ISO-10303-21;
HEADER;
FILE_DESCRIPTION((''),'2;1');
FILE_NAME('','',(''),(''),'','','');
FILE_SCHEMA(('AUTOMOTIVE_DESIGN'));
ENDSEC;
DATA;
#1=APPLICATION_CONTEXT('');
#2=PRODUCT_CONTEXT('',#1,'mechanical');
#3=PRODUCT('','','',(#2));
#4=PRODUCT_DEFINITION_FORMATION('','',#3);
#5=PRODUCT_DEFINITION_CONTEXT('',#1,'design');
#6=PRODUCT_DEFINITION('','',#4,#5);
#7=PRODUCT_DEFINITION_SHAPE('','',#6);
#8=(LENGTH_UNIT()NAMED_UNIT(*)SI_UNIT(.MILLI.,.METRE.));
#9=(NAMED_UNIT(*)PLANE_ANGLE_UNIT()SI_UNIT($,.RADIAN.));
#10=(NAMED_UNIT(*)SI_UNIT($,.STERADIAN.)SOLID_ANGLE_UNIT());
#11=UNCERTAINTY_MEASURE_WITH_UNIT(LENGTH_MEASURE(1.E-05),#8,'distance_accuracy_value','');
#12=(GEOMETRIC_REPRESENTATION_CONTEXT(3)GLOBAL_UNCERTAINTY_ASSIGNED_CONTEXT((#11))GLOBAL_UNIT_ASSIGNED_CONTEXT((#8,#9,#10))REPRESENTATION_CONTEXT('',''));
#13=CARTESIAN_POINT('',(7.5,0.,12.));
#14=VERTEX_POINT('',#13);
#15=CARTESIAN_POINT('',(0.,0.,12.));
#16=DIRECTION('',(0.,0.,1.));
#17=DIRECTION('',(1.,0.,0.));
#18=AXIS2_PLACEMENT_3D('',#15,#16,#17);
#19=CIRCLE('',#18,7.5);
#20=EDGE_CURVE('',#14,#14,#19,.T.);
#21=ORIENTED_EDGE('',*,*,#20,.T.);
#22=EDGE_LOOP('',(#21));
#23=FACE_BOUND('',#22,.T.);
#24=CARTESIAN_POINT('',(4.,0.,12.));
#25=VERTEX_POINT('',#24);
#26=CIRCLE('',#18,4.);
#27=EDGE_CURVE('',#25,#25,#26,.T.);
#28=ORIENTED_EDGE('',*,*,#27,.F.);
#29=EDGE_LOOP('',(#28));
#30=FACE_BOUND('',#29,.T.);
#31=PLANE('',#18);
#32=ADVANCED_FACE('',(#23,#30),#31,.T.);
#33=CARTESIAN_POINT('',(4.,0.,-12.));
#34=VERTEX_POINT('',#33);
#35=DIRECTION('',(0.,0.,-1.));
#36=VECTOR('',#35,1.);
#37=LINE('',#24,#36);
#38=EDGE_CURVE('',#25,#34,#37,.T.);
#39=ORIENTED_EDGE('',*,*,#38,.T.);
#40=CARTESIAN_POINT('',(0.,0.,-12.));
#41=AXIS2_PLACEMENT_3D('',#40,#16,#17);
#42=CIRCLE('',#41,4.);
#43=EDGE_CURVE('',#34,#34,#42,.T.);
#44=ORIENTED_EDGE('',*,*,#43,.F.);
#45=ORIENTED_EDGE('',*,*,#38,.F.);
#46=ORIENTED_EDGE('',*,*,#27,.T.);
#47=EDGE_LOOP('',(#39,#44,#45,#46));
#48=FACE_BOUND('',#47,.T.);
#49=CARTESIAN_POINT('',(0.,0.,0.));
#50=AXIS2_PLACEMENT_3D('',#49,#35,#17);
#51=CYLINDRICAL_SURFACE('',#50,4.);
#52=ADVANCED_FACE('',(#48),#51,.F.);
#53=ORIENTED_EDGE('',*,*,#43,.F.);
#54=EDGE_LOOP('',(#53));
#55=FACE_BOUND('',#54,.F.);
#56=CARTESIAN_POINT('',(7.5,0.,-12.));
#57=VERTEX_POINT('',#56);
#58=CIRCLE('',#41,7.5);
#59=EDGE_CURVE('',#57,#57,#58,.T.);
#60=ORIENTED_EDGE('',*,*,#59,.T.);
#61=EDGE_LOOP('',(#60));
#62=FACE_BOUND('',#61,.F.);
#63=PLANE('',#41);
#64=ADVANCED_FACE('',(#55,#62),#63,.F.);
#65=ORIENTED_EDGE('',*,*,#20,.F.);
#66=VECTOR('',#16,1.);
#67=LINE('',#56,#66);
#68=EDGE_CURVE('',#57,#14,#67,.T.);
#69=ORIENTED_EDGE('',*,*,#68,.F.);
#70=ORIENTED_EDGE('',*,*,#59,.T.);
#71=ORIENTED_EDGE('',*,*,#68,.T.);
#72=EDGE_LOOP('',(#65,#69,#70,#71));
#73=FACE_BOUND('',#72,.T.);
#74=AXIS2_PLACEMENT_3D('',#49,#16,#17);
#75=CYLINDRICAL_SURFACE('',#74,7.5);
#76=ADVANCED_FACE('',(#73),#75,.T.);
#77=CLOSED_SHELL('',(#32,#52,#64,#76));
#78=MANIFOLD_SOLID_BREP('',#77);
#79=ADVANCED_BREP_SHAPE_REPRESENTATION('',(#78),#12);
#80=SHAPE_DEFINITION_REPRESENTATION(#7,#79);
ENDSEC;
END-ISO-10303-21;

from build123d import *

# Parameters (mm, degrees)
SKETCH_1_R      = 7.5
SKETCH_1_R_2    = 4
EXTRUDE_1_DEPTH = 12


with BuildPart() as part:
    # 草图1 → 凸台-拉伸1 (new body, symmetric)
    with BuildSketch(Plane.XY):
        Circle(SKETCH_1_R)
        Circle(SKETCH_1_R_2, mode=Mode.SUBTRACT)
    extrude(amount=EXTRUDE_1_DEPTH, both=True)


solid = part.part
